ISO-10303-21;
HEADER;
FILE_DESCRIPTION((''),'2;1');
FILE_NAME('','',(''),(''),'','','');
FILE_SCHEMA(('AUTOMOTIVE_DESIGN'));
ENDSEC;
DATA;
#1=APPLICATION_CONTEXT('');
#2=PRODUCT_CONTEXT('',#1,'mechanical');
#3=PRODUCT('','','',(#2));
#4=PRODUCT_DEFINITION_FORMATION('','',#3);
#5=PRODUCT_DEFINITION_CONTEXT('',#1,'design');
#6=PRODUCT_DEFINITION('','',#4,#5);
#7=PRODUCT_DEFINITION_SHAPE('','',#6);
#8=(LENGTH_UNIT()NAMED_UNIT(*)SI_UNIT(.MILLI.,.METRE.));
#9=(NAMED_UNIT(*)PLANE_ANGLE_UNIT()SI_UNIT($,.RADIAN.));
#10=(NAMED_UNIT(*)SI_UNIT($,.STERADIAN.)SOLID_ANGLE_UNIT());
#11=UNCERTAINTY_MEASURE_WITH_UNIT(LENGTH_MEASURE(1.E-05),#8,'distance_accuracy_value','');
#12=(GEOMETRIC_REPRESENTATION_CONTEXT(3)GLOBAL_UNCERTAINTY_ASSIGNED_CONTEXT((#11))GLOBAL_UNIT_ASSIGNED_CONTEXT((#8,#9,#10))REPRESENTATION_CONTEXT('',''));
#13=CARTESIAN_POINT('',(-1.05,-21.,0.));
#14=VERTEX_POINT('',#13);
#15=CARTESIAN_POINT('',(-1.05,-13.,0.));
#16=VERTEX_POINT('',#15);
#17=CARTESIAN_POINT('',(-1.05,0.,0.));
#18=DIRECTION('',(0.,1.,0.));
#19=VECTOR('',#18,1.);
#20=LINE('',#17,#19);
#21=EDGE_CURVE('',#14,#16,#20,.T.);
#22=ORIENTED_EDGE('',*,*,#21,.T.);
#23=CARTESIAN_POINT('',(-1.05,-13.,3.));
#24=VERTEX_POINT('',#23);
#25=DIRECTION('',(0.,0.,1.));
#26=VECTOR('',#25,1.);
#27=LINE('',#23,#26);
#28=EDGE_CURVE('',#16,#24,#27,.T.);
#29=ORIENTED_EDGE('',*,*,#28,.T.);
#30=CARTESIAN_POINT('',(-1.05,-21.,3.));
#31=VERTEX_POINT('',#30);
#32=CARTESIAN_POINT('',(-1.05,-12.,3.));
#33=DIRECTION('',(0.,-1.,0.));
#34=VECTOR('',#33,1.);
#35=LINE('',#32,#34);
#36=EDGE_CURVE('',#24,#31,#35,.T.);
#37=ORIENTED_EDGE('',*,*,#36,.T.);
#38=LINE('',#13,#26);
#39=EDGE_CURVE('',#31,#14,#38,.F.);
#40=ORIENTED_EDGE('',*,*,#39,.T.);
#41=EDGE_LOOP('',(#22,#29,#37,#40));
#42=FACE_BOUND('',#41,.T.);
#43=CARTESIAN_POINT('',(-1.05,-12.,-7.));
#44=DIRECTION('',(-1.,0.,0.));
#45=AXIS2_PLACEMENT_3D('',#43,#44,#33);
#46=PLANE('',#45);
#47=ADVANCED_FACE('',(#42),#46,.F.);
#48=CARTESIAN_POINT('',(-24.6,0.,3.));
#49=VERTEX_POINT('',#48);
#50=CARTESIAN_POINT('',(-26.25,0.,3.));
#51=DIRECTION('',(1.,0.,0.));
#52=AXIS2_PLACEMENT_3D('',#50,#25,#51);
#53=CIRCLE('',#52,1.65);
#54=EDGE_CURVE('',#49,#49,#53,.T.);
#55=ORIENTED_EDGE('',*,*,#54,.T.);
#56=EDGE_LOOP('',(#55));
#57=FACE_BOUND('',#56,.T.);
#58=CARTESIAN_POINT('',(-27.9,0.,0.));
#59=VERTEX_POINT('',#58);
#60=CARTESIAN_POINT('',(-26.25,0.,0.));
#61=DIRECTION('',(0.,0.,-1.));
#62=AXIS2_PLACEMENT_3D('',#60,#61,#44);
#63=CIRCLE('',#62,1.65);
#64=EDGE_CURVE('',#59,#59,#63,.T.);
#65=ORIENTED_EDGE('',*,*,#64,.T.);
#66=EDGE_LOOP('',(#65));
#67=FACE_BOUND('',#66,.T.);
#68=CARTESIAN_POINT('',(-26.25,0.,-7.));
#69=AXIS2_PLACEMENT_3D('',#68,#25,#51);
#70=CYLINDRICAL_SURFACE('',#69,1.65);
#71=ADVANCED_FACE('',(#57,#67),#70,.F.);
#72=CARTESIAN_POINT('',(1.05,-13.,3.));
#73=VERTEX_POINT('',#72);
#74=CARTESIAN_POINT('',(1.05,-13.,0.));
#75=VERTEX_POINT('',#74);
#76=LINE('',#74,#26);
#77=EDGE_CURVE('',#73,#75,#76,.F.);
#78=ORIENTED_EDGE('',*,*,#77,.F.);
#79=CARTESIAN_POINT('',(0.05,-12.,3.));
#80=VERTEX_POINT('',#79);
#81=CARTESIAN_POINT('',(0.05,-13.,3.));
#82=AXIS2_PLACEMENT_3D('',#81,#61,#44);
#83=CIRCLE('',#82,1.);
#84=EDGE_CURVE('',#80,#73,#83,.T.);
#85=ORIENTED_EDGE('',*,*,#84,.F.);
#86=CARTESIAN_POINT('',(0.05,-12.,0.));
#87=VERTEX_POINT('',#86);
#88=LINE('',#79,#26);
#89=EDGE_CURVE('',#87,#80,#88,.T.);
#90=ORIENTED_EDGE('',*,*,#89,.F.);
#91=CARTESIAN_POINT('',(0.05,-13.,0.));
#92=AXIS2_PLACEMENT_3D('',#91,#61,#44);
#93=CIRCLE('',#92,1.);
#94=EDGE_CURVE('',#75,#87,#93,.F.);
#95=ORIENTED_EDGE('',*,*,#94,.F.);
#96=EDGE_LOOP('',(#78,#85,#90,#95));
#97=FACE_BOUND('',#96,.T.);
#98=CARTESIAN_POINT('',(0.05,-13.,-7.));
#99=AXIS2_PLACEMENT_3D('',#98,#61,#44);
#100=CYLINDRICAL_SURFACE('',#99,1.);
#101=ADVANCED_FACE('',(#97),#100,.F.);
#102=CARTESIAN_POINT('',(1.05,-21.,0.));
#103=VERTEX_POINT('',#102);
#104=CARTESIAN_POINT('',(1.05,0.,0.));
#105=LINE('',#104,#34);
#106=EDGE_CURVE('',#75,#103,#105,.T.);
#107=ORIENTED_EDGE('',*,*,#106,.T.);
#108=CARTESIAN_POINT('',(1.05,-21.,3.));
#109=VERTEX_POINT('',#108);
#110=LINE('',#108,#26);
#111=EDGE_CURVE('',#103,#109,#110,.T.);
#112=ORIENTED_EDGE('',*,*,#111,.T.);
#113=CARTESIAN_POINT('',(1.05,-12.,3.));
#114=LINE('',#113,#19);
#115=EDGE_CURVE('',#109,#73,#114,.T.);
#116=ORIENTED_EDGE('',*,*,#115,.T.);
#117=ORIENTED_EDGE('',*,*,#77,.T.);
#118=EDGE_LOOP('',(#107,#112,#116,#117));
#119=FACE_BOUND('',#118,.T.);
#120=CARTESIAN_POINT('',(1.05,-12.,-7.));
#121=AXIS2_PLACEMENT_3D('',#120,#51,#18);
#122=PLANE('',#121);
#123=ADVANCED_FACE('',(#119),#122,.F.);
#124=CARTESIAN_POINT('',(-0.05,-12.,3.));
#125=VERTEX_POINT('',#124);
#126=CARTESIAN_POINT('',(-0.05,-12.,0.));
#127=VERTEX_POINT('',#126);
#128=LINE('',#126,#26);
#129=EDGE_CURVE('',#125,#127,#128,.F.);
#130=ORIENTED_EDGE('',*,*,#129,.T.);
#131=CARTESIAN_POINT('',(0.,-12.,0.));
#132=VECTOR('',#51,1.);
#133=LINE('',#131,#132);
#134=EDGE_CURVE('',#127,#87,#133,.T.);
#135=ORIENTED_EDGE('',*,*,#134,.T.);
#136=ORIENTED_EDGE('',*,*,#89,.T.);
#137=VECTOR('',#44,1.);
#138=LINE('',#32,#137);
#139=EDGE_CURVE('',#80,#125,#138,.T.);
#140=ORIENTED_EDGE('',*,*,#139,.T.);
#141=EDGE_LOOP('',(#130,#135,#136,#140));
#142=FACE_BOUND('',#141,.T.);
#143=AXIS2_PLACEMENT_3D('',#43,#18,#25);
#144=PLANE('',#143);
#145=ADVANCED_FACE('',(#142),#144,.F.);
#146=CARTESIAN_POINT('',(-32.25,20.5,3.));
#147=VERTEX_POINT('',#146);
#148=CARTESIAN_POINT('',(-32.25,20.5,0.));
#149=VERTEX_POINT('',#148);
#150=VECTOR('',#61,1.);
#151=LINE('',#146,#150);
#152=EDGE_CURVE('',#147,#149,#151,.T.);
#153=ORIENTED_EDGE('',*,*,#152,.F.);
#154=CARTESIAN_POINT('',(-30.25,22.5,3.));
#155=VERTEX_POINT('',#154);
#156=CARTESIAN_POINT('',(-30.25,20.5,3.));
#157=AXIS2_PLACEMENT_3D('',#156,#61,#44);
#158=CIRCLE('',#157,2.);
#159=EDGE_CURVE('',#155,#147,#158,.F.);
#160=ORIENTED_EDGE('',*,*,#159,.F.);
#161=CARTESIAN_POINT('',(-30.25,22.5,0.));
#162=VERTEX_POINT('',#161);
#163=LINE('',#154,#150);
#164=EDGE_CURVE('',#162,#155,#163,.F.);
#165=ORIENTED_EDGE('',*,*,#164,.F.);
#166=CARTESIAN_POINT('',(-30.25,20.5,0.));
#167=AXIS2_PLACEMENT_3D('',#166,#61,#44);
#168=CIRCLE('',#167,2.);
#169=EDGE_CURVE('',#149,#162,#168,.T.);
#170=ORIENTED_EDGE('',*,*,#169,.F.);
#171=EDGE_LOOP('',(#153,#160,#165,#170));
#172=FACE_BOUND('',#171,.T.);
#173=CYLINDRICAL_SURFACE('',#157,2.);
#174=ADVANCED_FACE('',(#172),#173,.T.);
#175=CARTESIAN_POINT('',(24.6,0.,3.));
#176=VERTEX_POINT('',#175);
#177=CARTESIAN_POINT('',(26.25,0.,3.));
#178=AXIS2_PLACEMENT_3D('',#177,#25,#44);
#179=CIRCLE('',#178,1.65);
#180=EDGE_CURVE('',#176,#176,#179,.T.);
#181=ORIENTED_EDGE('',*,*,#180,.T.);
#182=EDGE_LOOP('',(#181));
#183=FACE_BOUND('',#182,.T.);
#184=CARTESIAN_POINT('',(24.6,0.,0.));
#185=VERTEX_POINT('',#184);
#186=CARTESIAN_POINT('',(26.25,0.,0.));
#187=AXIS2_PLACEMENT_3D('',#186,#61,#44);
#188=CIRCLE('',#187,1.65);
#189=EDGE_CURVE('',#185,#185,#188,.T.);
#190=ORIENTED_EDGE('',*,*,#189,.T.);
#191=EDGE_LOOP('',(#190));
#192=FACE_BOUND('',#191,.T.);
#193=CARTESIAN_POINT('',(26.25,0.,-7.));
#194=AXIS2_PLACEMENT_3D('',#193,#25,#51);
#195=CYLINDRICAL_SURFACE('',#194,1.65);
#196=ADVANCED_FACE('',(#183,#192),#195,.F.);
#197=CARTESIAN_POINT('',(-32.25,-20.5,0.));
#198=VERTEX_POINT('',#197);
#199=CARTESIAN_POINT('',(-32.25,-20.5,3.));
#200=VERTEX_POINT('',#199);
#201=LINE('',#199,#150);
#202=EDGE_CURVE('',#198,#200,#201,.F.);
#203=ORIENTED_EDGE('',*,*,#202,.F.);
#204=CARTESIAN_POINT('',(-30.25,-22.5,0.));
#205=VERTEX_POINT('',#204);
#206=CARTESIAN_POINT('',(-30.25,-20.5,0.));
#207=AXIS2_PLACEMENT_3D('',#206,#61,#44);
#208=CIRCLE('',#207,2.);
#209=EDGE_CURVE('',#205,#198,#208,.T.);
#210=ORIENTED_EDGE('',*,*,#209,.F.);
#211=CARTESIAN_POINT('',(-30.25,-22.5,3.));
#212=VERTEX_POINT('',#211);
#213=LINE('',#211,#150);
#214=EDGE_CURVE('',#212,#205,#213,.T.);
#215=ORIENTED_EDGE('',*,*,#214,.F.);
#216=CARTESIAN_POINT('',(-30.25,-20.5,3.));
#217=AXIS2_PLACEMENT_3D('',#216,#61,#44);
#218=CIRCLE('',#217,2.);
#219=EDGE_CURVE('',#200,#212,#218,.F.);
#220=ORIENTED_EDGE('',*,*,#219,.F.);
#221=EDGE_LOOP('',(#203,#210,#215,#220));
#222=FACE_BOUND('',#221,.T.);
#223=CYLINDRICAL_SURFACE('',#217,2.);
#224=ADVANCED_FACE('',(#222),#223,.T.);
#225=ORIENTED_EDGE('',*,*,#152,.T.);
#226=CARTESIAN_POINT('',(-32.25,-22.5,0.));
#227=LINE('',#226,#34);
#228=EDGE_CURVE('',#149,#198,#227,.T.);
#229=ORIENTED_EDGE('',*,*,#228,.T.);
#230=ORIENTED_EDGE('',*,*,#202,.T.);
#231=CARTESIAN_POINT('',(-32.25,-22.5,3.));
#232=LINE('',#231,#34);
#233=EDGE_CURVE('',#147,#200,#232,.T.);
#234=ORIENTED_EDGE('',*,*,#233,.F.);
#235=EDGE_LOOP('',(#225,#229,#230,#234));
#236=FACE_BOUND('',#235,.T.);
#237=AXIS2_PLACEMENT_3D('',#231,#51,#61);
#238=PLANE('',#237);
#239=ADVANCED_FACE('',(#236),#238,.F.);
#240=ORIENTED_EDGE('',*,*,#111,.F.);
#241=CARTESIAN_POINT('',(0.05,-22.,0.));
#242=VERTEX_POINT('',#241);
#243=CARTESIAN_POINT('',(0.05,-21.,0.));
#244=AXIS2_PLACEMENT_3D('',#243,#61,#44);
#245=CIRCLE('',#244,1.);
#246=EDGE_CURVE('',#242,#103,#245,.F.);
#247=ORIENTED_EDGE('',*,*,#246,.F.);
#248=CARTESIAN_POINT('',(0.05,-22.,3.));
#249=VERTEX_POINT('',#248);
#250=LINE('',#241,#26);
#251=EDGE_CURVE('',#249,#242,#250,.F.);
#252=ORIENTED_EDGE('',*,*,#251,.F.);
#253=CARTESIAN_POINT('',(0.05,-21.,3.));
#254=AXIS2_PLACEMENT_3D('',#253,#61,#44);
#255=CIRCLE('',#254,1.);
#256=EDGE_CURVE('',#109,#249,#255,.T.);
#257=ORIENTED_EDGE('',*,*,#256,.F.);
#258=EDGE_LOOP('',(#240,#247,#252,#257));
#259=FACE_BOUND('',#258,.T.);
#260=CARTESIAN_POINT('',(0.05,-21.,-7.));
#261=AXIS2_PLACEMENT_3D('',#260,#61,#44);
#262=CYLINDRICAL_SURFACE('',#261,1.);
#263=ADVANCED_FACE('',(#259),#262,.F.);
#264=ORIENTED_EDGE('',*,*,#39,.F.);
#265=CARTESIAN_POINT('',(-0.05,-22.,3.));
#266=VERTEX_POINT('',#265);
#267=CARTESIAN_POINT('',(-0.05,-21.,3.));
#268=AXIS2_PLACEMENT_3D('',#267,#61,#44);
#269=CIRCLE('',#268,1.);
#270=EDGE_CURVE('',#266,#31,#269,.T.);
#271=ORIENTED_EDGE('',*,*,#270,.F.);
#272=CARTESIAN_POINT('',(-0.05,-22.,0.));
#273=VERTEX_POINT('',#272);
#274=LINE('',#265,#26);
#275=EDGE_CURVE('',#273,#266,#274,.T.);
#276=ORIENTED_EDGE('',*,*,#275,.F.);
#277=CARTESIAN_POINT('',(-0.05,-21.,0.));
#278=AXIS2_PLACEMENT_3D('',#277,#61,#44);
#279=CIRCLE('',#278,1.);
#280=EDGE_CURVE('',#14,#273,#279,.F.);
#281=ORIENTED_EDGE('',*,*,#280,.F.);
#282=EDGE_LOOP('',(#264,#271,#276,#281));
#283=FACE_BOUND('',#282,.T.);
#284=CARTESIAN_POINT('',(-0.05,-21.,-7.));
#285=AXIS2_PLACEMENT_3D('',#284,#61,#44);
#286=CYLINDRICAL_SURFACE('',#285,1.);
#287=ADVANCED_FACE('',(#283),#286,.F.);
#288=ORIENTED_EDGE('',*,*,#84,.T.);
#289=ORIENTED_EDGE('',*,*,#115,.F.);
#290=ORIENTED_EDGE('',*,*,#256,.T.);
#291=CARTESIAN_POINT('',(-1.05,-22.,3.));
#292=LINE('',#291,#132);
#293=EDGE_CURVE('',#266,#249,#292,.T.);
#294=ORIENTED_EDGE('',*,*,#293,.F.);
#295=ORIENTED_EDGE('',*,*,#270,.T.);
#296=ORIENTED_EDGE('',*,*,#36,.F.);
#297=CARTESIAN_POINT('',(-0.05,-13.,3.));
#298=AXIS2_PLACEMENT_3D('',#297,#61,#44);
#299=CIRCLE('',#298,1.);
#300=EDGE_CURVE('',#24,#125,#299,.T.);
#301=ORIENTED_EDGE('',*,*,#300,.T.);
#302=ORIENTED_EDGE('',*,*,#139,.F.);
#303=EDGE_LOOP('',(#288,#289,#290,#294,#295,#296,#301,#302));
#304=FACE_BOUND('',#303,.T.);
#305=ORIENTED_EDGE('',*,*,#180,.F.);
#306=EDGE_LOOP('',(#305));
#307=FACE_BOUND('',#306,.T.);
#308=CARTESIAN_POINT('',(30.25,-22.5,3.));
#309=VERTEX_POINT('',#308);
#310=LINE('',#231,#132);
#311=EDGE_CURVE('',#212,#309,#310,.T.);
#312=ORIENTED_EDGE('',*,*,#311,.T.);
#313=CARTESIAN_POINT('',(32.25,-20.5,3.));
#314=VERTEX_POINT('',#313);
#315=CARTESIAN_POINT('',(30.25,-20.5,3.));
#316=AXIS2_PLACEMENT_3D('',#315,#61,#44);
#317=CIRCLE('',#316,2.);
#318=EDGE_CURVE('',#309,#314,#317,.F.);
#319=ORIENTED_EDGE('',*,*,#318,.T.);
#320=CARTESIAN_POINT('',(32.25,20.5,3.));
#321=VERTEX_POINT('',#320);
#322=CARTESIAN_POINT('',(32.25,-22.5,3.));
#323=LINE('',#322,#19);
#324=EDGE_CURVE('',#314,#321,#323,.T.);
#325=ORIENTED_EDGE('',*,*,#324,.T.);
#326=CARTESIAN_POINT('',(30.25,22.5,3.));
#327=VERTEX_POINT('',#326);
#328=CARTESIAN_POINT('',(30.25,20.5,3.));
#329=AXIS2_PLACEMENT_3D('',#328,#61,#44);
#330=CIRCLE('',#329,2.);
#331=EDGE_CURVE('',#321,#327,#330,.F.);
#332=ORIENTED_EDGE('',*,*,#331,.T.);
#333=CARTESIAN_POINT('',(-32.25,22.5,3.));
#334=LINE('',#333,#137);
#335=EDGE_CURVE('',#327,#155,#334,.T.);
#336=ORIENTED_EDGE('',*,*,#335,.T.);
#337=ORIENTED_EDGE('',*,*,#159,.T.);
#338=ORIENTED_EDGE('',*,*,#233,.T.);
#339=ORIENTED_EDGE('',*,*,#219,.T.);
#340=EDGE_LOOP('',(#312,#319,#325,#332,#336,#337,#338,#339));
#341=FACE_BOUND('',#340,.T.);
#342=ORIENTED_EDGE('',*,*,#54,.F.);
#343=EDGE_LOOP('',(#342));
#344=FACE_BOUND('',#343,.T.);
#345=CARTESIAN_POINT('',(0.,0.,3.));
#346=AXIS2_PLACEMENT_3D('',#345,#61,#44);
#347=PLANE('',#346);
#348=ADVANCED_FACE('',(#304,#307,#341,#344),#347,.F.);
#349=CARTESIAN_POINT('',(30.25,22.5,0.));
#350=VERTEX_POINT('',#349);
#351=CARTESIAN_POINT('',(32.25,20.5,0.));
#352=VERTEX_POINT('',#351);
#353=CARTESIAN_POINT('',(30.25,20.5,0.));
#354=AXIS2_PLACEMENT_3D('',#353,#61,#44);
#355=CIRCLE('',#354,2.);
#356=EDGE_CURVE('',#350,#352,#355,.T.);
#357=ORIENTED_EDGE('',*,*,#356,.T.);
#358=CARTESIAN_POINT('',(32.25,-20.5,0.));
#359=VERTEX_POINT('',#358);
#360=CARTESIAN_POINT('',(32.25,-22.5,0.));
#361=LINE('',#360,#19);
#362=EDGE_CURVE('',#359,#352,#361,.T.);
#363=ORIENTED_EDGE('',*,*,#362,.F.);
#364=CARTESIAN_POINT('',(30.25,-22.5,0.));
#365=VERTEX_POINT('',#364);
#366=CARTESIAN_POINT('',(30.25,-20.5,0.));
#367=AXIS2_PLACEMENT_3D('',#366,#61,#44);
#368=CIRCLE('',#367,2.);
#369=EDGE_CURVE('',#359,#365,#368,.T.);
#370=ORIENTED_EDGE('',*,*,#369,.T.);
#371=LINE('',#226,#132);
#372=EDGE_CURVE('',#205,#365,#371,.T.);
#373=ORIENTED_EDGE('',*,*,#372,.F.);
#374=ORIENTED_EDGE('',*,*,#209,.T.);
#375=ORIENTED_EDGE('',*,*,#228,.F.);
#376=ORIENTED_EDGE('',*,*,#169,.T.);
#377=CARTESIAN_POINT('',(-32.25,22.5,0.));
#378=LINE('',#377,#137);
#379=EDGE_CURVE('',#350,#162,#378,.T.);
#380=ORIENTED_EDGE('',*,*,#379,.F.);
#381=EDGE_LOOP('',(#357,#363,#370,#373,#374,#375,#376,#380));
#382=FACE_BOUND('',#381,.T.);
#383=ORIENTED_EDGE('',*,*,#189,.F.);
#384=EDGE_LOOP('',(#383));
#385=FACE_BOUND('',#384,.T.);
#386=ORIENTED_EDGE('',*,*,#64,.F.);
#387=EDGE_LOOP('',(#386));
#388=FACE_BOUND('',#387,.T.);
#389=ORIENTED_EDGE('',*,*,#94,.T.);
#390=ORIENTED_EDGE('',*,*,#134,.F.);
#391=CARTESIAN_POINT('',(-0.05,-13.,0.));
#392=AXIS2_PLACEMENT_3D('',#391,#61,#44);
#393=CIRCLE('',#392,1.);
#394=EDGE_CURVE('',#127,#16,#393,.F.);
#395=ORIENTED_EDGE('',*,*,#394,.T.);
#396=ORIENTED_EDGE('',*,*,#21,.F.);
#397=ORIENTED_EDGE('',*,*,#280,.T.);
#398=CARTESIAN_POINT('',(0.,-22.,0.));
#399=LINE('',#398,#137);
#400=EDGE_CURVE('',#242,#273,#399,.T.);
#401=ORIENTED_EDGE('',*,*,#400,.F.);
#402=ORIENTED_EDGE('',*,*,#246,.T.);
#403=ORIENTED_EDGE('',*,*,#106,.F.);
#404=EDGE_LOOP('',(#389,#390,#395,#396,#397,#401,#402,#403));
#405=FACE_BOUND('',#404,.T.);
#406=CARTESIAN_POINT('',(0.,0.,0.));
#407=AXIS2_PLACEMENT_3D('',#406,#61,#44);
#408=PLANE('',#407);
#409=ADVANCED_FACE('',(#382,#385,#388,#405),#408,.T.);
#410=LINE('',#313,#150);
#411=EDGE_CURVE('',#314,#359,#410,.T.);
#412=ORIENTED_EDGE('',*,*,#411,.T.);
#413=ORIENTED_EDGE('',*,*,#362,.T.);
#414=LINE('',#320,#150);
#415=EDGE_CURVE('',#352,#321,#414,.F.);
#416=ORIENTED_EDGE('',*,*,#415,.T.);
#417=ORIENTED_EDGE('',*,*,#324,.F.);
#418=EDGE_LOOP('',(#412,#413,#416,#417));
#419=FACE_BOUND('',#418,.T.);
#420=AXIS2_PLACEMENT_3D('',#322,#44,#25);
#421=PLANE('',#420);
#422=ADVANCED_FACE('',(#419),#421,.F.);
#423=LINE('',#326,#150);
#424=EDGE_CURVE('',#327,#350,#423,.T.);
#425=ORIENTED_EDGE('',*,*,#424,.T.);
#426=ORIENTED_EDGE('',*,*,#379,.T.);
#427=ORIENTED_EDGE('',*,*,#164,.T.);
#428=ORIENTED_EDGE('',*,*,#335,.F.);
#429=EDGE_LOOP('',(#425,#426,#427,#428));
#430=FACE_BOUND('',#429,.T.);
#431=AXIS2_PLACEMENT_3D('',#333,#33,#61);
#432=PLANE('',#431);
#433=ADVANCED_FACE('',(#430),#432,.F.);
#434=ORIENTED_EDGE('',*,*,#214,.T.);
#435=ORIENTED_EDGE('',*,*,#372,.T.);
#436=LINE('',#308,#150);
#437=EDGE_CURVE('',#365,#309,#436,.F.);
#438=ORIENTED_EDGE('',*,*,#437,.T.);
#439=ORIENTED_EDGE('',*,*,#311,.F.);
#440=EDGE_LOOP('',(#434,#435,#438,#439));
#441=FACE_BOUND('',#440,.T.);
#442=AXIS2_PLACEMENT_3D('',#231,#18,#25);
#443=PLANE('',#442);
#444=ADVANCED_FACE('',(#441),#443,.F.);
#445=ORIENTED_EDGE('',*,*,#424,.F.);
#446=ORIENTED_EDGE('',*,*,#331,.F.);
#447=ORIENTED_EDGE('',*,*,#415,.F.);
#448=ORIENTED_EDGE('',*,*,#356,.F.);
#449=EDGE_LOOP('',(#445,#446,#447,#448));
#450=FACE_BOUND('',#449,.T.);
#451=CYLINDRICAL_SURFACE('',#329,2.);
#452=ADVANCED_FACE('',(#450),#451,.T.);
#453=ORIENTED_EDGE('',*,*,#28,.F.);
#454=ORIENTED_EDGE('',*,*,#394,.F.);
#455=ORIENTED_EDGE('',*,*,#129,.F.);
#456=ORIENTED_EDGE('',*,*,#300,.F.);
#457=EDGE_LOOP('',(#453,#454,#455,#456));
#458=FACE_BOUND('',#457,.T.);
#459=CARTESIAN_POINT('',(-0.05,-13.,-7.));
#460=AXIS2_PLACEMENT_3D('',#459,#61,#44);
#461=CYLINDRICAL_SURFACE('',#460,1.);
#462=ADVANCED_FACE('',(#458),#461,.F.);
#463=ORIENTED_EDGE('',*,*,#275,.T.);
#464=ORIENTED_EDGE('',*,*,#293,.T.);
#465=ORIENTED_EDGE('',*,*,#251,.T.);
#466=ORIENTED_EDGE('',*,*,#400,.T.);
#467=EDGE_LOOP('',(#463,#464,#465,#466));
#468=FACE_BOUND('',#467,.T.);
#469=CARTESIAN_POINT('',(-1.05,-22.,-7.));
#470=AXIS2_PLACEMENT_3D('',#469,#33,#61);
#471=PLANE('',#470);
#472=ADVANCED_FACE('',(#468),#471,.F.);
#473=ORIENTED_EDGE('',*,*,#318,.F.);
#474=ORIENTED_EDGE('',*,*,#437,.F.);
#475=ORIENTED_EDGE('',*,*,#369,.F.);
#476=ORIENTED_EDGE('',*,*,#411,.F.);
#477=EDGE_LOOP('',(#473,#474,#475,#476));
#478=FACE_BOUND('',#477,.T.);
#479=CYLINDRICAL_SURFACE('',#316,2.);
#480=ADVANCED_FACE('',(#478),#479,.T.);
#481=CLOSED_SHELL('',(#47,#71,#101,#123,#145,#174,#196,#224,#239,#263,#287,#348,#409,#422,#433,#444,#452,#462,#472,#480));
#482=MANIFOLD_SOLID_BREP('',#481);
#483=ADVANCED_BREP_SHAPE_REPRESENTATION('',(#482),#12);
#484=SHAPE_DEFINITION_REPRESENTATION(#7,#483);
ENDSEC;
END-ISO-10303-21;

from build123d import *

# Parameters (mm, degrees)
SKETCH_1_W          = 64.5
SKETCH_1_H          = 45
EXTRUDE_1_DEPTH     = 3
SKETCH_6_W          = 12
SKETCH_6_H          = 10
EXTRUDE_4_DEPTH     = 3
FILLET_1_R          = 2
SKETCH_7_R          = 1.65
CUT_EXTRUDE_3_DEPTH = 6
SKETCH_9_W          = 6
SKETCH_9_H          = 14
CUT_EXTRUDE_4_DEPTH = 10
SKETCH_8_R          = 1.65
CUT_EXTRUDE_5_DEPTH = 10
SKETCH_10_W         = 2.1
SKETCH_10_H         = 10
CUT_EXTRUDE_6_DEPTH = 10
FILLET_2_R          = 1


with BuildPart() as part:
    # 草图1 → 凸台-拉伸1 (new body)
    with BuildSketch(Plane.XY):
        Rectangle(SKETCH_1_W, SKETCH_1_H)
    extrude(amount=EXTRUDE_1_DEPTH)

    # 草图6 → 凸台-拉伸4 (add)
    with BuildSketch(Plane.XY.offset(3)):
        with Locations((32.25, 0)):
            Rectangle(SKETCH_6_W, SKETCH_6_H)
        with Locations((-32.25, 0)):
            Rectangle(SKETCH_6_W, SKETCH_6_H)
    extrude(amount=-EXTRUDE_4_DEPTH)

    # 圆角1
    fillet_1_edges = [part.edges().sort_by_distance(p)[0] for p in [
        (38.25, -5, 1.5),
        (32.25, 5, 1.5),
        (32.25, -5, 1.5),
        (38.25, 5, 1.5),
        (-38.25, 5, 1.5),
        (-32.25, 5, 1.5),
        (-38.25, -5, 1.5),
        (-32.25, -5, 1.5),
        (32.25, -22.5, 1.5),
        (-32.25, -22.5, 1.5),
        (-32.25, 22.5, 1.5),
        (32.25, 22.5, 1.5),
    ]]
    fillet(fillet_1_edges, radius=FILLET_1_R)

    # 草图7 → 切除-拉伸3 (cut)
    with BuildSketch(Plane.XY.offset(3)):
        with Locations((-35.25, 0)):
            Circle(SKETCH_7_R)
        with Locations((35.25, 0)):
            Circle(SKETCH_7_R)
    extrude(amount=-CUT_EXTRUDE_3_DEPTH, mode=Mode.SUBTRACT)

    # 草图9 → 切除-拉伸4 (cut)
    with BuildSketch(Plane.XY.offset(3)):
        with Locations((-35.25, 0)):
            Rectangle(SKETCH_9_W, SKETCH_9_H)
        with Locations((35.25, 0)):
            Rectangle(SKETCH_9_W, SKETCH_9_H)
    extrude(amount=-CUT_EXTRUDE_4_DEPTH, mode=Mode.SUBTRACT)

    # 草图8 → 切除-拉伸5 (cut)
    with BuildSketch(Plane.XY.offset(3)):
        with Locations((-26.25, 0)):
            Circle(SKETCH_8_R)
        with Locations((26.25, 0)):
            Circle(SKETCH_8_R)
    extrude(amount=-CUT_EXTRUDE_5_DEPTH, mode=Mode.SUBTRACT)

    # 草图10 → 切除-拉伸6 (cut)
    with BuildSketch(Plane.XY.offset(3)):
        with Locations((0, -17)):
            Rectangle(SKETCH_10_W, SKETCH_10_H)
    extrude(amount=-CUT_EXTRUDE_6_DEPTH, mode=Mode.SUBTRACT)

    # 圆角2
    fillet_2_edges = [part.edges().sort_by_distance(p)[0] for p in [
        (1.05, -12, 1.5),
        (1.05, -22, 1.5),
        (-1.05, -22, 1.5),
        (-1.05, -12, 1.5),
    ]]
    fillet(fillet_2_edges, radius=FILLET_2_R)


solid = part.part
